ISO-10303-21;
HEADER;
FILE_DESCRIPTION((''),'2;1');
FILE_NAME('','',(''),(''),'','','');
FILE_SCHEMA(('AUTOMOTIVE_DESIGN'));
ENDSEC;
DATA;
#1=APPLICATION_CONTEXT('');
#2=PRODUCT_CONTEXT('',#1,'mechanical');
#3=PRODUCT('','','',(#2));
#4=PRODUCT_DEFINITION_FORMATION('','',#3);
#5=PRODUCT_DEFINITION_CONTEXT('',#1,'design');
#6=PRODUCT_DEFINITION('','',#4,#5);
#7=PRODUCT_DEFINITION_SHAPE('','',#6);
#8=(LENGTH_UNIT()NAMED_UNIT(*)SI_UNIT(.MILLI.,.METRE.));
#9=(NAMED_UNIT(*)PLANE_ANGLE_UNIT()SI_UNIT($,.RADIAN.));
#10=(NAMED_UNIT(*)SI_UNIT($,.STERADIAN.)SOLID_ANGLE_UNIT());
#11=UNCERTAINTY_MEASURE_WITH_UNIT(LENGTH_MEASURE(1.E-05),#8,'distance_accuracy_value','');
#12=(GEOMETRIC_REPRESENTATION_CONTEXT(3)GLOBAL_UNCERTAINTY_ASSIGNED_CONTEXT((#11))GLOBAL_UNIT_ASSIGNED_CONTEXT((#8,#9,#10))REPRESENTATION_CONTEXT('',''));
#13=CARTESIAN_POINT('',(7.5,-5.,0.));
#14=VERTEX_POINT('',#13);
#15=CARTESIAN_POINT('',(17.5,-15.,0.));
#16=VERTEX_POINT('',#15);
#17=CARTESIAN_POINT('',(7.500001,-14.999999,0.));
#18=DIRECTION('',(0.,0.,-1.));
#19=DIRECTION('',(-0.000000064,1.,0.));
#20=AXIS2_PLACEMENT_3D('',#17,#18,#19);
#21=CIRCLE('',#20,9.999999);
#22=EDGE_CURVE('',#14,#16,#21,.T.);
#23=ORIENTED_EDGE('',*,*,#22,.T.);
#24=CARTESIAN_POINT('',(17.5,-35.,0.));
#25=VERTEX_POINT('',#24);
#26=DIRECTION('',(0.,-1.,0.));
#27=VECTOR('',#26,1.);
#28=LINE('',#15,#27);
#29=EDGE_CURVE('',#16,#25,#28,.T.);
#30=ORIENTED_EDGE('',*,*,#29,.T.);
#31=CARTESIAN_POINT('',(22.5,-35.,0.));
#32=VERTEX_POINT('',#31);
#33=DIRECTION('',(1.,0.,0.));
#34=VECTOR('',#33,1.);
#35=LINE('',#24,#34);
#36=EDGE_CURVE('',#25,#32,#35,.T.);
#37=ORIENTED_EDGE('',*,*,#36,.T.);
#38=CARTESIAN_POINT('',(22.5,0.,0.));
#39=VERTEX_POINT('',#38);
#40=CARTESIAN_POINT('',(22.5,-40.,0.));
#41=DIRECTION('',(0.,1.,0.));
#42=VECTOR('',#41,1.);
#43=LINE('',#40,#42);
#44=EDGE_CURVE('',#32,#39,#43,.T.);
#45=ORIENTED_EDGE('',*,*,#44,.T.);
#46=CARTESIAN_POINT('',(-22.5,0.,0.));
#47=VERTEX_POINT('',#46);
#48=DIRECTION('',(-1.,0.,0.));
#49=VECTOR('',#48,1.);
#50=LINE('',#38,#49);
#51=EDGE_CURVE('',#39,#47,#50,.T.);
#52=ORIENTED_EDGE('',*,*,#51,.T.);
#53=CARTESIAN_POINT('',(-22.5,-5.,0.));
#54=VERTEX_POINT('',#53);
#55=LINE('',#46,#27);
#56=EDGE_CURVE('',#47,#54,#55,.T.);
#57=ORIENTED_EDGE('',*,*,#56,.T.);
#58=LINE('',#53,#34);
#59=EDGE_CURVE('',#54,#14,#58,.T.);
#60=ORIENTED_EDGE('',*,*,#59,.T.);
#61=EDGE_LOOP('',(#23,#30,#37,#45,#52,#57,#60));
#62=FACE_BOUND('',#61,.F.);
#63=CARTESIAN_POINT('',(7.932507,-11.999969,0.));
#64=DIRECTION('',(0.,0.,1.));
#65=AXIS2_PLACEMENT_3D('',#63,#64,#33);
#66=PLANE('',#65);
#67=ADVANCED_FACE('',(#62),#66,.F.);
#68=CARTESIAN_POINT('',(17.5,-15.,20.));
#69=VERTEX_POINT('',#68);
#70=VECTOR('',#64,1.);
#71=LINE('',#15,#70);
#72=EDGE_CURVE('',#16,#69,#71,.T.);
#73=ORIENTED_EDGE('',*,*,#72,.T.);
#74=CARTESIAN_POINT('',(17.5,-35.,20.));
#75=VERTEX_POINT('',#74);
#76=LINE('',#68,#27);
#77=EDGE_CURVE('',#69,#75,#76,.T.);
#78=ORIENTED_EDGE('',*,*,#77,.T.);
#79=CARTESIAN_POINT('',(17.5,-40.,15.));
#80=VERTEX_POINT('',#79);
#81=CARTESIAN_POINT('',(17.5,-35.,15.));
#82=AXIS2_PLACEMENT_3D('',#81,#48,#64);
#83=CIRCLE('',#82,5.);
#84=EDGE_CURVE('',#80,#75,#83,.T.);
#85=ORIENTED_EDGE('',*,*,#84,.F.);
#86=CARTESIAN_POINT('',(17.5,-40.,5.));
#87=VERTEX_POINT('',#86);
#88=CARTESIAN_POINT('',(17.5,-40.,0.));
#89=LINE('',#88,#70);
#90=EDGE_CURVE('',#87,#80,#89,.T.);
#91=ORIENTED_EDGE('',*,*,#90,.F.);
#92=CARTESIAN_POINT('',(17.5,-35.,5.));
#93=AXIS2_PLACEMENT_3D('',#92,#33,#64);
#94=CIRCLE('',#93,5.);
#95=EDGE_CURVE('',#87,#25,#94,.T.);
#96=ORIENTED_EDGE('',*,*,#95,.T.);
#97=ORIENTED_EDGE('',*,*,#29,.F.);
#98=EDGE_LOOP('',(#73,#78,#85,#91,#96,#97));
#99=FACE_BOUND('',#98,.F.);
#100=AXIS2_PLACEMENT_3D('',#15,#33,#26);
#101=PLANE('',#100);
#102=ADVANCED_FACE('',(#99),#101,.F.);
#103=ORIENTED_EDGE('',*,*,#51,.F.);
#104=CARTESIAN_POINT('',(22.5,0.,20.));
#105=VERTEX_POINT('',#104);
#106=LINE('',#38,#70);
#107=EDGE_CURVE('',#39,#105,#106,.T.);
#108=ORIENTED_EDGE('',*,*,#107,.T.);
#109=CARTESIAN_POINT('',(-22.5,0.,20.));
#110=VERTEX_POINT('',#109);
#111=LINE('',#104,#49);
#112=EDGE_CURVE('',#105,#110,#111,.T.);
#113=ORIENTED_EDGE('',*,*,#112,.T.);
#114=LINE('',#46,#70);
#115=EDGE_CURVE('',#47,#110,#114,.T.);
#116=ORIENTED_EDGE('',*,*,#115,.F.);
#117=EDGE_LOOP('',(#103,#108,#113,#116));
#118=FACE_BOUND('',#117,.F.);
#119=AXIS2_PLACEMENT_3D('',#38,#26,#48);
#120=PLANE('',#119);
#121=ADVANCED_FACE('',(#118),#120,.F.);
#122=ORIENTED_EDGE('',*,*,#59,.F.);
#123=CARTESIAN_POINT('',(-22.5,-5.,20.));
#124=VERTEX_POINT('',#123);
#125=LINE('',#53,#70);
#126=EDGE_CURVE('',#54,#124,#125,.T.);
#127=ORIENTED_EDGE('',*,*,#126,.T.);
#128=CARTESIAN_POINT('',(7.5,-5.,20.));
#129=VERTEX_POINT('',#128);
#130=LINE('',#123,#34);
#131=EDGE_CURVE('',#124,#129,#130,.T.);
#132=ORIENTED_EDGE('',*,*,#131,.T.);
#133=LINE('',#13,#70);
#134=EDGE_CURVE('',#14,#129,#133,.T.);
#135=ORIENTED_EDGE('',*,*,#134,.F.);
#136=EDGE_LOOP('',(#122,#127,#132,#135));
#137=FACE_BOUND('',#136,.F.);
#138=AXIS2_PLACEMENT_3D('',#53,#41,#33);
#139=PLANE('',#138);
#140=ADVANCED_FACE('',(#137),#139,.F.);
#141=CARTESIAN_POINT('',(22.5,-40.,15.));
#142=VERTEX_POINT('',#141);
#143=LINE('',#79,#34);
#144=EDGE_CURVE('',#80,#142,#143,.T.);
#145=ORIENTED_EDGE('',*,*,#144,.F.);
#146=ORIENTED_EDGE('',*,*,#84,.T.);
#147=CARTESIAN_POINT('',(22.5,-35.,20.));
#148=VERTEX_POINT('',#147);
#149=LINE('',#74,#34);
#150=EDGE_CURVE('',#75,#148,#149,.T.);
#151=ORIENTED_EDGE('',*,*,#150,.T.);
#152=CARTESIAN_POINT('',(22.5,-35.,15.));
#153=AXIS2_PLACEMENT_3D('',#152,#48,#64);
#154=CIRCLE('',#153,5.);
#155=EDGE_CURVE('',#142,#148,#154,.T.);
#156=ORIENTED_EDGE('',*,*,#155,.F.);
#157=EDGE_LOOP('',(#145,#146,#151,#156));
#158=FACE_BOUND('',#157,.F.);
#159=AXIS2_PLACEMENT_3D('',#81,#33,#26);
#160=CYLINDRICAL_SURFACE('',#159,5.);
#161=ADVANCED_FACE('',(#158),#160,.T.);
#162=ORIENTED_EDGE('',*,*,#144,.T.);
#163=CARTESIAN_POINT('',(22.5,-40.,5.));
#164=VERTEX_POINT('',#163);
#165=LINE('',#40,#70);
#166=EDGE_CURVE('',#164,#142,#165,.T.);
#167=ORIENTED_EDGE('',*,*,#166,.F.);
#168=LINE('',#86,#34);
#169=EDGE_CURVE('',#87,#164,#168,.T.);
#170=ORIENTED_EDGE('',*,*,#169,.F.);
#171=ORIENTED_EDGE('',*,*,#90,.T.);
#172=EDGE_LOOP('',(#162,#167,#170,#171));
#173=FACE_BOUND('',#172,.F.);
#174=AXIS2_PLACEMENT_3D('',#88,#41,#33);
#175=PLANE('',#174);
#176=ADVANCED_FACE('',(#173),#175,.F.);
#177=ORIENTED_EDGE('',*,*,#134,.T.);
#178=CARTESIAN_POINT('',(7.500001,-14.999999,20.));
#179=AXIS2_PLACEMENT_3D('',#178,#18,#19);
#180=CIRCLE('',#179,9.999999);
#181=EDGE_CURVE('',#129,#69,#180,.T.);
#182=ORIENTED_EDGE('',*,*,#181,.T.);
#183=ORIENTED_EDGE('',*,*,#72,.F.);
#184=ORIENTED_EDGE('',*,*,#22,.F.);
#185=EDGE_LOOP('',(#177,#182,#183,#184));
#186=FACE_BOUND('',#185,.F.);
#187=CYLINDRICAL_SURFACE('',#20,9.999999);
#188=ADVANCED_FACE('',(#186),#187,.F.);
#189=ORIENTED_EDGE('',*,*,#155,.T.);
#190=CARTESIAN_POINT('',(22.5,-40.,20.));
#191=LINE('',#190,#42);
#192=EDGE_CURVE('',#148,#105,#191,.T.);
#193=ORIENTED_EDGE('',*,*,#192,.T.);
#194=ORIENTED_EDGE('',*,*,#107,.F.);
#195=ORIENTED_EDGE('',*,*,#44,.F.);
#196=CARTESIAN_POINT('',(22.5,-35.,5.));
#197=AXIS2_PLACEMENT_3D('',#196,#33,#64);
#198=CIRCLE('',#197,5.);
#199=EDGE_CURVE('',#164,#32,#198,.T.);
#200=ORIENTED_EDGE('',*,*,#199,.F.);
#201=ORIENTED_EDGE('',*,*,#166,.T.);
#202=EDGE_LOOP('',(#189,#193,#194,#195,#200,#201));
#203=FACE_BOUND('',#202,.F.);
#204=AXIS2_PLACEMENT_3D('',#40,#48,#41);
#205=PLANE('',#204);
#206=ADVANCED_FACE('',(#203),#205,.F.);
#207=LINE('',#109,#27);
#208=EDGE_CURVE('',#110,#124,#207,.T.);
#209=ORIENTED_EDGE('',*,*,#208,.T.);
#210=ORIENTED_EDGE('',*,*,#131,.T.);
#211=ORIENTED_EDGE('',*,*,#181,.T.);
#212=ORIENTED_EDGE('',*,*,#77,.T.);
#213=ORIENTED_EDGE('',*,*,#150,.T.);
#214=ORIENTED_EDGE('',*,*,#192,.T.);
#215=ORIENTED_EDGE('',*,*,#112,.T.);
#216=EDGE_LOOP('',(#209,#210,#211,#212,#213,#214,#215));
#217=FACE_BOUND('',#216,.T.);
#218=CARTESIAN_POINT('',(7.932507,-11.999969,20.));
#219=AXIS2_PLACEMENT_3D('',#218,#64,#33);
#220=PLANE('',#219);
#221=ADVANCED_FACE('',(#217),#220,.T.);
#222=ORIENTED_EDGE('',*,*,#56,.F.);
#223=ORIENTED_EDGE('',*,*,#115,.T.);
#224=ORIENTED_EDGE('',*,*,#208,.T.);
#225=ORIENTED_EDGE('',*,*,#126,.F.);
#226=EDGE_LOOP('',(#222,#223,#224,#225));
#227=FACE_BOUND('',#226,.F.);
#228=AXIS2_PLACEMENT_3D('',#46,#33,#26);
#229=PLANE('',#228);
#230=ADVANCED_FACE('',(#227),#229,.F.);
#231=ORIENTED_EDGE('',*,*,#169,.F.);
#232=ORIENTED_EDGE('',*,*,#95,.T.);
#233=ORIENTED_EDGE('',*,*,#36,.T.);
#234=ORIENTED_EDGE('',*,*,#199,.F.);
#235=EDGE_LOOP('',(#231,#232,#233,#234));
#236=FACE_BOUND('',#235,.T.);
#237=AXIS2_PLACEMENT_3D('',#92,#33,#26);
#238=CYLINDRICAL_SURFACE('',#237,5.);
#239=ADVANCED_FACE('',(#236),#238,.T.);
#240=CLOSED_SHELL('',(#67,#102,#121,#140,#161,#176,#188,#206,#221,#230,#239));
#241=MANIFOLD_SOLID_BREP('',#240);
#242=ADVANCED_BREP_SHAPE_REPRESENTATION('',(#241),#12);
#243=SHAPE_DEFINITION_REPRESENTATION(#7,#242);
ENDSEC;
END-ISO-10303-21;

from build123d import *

# Parameters (mm, degrees)
F1_DEPTH = 20
F2_R     = 5


with BuildPart() as f1:
    # F0 (on Top) → F1 (new body)
    with BuildSketch(Plane.XY):
        with BuildLine():
            Line((22.5, 0), (0, 0))
            Line((0, 0), (-22.5, 0))
            Line((-22.5, 0), (-22.5, -5))
            Line((-22.5, -5), (7.5, -5))
            ThreePointArc((7.5, -5), (14.571068, -7.928932), (17.5, -15))
            Line((17.5, -15), (17.5, -40))
            Line((17.5, -40), (22.5, -40))
            Line((22.5, -40), (22.5, 0))
        make_face()
    extrude(amount=F1_DEPTH)

    # F2
    f2_edges = [f1.edges().sort_by_distance(p)[0] for p in [
        (20, -40, 20),
        (20, -40, 0),
    ]]
    fillet(f2_edges, radius=F2_R)


solid = f1.part
